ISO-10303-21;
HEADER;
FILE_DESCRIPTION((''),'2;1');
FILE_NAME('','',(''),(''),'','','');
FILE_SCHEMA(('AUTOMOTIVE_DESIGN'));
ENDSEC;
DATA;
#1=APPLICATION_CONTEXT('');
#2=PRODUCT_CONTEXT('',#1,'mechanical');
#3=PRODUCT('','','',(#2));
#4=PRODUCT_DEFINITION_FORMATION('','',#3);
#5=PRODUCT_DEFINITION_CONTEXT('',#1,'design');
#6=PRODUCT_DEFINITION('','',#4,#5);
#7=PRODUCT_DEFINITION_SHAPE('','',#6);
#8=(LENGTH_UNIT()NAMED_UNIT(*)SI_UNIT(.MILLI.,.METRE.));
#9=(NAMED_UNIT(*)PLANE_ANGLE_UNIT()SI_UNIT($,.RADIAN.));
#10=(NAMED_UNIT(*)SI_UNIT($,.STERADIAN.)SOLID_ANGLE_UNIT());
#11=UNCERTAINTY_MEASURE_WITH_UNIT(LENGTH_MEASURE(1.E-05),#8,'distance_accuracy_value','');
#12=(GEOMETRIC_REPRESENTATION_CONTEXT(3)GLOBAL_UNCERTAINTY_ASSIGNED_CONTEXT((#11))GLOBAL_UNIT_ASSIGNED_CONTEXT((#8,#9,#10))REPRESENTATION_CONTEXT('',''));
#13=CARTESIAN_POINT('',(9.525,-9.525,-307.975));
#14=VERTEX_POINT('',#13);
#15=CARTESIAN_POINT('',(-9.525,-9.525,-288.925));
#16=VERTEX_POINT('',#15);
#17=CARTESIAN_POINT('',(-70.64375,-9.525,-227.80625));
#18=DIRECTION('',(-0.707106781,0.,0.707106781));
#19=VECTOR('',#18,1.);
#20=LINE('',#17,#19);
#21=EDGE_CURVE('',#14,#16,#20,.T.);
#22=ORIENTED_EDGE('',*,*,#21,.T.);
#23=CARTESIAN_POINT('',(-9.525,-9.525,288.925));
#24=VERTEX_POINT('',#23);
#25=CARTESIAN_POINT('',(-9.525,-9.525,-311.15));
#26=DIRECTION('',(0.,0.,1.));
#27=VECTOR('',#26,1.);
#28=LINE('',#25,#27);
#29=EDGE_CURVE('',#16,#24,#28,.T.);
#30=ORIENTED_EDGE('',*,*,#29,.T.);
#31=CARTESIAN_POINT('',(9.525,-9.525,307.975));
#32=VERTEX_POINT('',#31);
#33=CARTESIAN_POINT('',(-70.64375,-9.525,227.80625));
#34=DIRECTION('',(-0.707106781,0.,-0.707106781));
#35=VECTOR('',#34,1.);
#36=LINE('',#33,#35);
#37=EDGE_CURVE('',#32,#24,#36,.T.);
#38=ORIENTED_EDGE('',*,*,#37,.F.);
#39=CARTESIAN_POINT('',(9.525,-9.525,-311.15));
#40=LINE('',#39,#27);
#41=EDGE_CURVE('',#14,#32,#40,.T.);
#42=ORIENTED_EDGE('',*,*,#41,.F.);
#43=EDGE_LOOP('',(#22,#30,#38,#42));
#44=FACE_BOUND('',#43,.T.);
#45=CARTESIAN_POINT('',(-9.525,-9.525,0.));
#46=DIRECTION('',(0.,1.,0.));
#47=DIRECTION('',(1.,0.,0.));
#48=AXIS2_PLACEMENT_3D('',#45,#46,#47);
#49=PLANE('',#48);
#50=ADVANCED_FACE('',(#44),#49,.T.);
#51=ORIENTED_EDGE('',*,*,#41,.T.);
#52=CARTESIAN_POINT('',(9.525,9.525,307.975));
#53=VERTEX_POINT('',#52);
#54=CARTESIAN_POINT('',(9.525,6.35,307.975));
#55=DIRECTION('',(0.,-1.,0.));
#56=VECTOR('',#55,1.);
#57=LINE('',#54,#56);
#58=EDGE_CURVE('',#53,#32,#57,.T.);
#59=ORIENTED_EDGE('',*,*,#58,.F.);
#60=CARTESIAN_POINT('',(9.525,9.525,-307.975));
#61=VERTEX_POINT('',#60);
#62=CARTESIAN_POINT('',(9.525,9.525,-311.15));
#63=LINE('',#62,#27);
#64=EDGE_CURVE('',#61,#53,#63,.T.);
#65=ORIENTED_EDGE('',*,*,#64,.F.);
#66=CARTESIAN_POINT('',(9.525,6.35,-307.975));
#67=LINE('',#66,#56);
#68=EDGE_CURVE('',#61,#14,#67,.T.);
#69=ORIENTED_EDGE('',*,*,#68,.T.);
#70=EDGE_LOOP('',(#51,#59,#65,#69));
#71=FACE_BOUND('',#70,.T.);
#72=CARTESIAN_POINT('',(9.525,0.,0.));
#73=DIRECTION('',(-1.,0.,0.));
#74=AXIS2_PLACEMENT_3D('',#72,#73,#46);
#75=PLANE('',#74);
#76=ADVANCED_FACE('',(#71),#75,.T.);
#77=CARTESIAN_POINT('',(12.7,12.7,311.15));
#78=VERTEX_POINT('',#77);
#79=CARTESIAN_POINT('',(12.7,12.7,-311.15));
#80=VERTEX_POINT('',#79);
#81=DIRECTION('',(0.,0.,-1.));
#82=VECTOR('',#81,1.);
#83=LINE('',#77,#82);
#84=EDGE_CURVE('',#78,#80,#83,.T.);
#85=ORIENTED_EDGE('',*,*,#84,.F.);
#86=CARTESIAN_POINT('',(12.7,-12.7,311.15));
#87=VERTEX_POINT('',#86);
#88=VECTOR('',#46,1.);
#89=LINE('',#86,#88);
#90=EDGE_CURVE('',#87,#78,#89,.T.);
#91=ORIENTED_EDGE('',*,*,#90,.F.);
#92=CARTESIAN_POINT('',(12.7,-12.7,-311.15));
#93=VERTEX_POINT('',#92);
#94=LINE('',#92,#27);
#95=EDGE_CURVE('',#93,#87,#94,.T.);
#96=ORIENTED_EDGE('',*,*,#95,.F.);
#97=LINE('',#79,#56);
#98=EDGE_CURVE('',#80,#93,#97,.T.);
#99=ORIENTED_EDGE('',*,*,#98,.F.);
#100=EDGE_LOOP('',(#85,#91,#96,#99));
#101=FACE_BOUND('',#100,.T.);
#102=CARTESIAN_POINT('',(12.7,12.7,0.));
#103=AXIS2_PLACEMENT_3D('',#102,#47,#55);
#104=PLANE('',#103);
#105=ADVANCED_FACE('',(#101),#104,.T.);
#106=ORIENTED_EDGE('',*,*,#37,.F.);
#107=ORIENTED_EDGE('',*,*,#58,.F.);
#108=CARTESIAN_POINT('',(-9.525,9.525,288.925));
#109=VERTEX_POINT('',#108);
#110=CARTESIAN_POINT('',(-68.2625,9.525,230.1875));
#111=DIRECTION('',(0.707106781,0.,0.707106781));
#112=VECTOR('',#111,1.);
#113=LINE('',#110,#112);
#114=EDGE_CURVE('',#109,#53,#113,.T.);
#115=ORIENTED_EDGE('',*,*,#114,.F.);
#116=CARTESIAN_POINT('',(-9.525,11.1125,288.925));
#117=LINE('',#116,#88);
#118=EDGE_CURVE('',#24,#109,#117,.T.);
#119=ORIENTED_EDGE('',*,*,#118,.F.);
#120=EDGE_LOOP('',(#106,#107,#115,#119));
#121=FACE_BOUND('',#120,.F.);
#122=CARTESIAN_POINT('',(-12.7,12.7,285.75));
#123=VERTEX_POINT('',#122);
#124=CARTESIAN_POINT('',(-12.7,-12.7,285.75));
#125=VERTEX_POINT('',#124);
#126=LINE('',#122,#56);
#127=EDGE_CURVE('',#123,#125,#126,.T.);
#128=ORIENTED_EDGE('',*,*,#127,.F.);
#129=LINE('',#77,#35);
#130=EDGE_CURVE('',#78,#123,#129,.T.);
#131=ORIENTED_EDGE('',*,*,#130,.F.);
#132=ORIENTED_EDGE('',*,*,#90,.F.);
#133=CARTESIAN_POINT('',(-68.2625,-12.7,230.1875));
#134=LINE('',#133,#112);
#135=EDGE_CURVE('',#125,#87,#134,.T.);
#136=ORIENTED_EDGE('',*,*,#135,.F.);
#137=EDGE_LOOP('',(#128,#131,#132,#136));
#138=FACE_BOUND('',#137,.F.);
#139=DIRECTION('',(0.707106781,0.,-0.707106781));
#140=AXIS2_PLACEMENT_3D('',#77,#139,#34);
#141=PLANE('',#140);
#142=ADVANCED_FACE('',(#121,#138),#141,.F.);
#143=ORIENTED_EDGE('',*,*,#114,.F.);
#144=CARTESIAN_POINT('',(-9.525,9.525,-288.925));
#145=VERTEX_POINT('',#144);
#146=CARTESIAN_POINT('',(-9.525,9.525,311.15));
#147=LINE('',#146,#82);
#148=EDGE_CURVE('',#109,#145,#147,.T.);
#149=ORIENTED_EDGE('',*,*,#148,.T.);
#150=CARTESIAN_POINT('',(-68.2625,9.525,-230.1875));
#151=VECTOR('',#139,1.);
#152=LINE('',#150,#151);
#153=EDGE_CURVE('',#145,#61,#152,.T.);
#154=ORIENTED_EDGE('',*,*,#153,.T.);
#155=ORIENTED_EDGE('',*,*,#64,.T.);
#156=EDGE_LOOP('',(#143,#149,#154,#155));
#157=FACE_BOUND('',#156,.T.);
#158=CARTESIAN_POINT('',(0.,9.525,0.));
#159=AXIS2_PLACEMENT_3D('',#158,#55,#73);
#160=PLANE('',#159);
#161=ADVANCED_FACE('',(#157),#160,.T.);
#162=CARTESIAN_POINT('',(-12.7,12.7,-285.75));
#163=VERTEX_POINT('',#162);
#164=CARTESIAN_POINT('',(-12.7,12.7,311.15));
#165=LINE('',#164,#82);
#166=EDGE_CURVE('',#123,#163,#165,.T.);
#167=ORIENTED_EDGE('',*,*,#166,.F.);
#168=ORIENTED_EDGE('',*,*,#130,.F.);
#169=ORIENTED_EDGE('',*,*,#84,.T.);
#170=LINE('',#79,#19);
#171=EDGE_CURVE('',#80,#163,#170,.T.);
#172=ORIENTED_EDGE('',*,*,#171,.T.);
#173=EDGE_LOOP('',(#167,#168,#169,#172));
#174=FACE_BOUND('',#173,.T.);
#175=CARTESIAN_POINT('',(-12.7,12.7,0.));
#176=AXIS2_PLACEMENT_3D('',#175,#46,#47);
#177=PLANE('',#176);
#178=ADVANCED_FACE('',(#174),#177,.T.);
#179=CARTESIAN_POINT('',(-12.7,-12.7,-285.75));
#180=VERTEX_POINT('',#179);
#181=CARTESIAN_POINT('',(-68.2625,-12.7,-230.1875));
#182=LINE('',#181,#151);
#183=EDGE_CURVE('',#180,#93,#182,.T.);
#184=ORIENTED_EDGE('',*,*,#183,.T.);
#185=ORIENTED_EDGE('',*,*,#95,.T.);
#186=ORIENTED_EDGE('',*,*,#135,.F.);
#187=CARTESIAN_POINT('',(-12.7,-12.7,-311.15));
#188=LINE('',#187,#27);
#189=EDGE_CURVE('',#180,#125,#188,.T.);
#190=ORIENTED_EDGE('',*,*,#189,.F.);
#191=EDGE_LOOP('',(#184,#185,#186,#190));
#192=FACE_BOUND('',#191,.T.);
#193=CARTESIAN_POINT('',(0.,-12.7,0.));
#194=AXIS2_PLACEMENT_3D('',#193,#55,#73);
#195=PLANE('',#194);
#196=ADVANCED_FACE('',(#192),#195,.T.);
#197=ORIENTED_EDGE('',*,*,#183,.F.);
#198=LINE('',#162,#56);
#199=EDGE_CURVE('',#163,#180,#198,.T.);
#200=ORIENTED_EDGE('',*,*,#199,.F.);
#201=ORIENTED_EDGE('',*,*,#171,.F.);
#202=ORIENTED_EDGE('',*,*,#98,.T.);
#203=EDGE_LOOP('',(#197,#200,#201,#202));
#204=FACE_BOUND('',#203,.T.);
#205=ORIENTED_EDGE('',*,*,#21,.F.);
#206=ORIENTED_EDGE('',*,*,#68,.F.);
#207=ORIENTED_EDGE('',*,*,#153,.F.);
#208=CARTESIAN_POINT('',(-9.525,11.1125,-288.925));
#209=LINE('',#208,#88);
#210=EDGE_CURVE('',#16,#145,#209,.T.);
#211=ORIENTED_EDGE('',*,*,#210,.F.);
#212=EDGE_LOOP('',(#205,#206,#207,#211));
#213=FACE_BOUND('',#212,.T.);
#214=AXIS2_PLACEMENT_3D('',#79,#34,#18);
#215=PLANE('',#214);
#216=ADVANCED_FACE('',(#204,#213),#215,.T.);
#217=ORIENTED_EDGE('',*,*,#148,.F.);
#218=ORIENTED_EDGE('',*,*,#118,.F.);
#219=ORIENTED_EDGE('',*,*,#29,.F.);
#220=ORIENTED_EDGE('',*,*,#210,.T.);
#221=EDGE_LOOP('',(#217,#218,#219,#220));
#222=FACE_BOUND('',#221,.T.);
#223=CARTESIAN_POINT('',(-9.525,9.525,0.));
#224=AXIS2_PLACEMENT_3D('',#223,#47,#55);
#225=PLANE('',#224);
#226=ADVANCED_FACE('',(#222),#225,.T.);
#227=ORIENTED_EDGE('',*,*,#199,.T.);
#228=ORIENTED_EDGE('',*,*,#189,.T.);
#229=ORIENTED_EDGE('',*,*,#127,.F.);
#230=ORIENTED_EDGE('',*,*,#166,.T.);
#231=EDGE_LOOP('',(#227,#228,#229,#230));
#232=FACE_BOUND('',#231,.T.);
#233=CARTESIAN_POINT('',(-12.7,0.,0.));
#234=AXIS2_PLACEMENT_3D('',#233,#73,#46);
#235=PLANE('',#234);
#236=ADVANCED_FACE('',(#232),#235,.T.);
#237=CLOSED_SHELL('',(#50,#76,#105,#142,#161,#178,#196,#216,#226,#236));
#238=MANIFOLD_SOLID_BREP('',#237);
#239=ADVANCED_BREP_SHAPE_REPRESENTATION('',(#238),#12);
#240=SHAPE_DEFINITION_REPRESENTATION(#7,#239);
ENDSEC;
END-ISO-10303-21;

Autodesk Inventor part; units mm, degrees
ref_plane "YZ Plane" through (0, 0, 0) normal (1, 0, 0) x (0, 1, 0)
ref_plane "XZ Plane" through (0, 0, 0) normal (0, 1, 0) x (-1, 0, 0)
ref_plane "XY Plane" through (0, 0, 0) normal (0, 0, 1) x (1, 0, 0)
sketch "Sketch1" plane through (0, 0, 0) normal (0, 0, 1) x (1, 0, 0)
  line L0 (-17.78, 0) -> (17.78, 0) projected
  line L1 (0, -17.78) -> (0, 17.78) projected
  line L2 (-12.7, 12.7) -> (12.7, 12.7)
  line L3 (12.7, 12.7) -> (12.7, -12.7)
  line L4 (12.7, -12.7) -> (-12.7, -12.7)
  line L5 (-12.7, -12.7) -> (-12.7, 12.7)
  line L6 (9.525, 9.525) -> (-9.525, 9.525)
  line L7 (-9.525, 9.525) -> (-9.525, -9.525)
  line L8 (-9.525, -9.525) -> (9.525, -9.525)
  line L9 (9.525, -9.525) -> (9.525, 9.525)
  point P0 (0, 0)
  point P1 (-12.7, 0)
  point P2 (0, 12.7)
  dimension "d0" = 25.4
  dimension "d1" = 3.175
extrude "Extrusion1" add sketch "Sketch1" along normal mid plane 622.3 contours L5 L2 L1 L6 L7 L0 | L0 L7 L8 L1 L4 L5 | L1 L8 L9 L0 L3 L4 | L2 L3 L0 L9 L6 L1
sketch "Sketch3" plane through (-12.7, 12.7, 311.15) normal (0, 1, 0) x (1, 0, 0)
  line L0 (0, 0) -> (25.4, 0) projected
  line L1 (0, 622.3) -> (0, 0) projected
  line L2 (25.4, 0) -> (0, 25.4)
  line L3 (0, 0) -> (0, 25.4)
  line L4 (25.4, 0) -> (0, 0)
  point P0 (12.7, 311.15)
  dimension "d7" = 45
extrude "Extrusion3" cut sketch "Sketch3" against normal through all
sketch "Sketch4" plane through (-12.7, 12.7, -311.15) normal (0, 1, 0) x (1, 0, 0)
  line L0 (0, -596.9) -> (25.4, -622.3) projected
  line L1 (25.4, 0) -> (0, 0) projected
  line L2 (0, 0) -> (0, -596.9) projected
  line L3 (25.4, 0) -> (0, -25.4)
  line L4 (0, 0) -> (0, -25.4)
  line L5 (25.4, 0) -> (0, 0)
  point P0 (12.7, -311.15)
extrude "Extrusion4" cut sketch "Sketch4" against normal through all
properties part number "tubing_template_0.125" material "Aluminum-6061"
